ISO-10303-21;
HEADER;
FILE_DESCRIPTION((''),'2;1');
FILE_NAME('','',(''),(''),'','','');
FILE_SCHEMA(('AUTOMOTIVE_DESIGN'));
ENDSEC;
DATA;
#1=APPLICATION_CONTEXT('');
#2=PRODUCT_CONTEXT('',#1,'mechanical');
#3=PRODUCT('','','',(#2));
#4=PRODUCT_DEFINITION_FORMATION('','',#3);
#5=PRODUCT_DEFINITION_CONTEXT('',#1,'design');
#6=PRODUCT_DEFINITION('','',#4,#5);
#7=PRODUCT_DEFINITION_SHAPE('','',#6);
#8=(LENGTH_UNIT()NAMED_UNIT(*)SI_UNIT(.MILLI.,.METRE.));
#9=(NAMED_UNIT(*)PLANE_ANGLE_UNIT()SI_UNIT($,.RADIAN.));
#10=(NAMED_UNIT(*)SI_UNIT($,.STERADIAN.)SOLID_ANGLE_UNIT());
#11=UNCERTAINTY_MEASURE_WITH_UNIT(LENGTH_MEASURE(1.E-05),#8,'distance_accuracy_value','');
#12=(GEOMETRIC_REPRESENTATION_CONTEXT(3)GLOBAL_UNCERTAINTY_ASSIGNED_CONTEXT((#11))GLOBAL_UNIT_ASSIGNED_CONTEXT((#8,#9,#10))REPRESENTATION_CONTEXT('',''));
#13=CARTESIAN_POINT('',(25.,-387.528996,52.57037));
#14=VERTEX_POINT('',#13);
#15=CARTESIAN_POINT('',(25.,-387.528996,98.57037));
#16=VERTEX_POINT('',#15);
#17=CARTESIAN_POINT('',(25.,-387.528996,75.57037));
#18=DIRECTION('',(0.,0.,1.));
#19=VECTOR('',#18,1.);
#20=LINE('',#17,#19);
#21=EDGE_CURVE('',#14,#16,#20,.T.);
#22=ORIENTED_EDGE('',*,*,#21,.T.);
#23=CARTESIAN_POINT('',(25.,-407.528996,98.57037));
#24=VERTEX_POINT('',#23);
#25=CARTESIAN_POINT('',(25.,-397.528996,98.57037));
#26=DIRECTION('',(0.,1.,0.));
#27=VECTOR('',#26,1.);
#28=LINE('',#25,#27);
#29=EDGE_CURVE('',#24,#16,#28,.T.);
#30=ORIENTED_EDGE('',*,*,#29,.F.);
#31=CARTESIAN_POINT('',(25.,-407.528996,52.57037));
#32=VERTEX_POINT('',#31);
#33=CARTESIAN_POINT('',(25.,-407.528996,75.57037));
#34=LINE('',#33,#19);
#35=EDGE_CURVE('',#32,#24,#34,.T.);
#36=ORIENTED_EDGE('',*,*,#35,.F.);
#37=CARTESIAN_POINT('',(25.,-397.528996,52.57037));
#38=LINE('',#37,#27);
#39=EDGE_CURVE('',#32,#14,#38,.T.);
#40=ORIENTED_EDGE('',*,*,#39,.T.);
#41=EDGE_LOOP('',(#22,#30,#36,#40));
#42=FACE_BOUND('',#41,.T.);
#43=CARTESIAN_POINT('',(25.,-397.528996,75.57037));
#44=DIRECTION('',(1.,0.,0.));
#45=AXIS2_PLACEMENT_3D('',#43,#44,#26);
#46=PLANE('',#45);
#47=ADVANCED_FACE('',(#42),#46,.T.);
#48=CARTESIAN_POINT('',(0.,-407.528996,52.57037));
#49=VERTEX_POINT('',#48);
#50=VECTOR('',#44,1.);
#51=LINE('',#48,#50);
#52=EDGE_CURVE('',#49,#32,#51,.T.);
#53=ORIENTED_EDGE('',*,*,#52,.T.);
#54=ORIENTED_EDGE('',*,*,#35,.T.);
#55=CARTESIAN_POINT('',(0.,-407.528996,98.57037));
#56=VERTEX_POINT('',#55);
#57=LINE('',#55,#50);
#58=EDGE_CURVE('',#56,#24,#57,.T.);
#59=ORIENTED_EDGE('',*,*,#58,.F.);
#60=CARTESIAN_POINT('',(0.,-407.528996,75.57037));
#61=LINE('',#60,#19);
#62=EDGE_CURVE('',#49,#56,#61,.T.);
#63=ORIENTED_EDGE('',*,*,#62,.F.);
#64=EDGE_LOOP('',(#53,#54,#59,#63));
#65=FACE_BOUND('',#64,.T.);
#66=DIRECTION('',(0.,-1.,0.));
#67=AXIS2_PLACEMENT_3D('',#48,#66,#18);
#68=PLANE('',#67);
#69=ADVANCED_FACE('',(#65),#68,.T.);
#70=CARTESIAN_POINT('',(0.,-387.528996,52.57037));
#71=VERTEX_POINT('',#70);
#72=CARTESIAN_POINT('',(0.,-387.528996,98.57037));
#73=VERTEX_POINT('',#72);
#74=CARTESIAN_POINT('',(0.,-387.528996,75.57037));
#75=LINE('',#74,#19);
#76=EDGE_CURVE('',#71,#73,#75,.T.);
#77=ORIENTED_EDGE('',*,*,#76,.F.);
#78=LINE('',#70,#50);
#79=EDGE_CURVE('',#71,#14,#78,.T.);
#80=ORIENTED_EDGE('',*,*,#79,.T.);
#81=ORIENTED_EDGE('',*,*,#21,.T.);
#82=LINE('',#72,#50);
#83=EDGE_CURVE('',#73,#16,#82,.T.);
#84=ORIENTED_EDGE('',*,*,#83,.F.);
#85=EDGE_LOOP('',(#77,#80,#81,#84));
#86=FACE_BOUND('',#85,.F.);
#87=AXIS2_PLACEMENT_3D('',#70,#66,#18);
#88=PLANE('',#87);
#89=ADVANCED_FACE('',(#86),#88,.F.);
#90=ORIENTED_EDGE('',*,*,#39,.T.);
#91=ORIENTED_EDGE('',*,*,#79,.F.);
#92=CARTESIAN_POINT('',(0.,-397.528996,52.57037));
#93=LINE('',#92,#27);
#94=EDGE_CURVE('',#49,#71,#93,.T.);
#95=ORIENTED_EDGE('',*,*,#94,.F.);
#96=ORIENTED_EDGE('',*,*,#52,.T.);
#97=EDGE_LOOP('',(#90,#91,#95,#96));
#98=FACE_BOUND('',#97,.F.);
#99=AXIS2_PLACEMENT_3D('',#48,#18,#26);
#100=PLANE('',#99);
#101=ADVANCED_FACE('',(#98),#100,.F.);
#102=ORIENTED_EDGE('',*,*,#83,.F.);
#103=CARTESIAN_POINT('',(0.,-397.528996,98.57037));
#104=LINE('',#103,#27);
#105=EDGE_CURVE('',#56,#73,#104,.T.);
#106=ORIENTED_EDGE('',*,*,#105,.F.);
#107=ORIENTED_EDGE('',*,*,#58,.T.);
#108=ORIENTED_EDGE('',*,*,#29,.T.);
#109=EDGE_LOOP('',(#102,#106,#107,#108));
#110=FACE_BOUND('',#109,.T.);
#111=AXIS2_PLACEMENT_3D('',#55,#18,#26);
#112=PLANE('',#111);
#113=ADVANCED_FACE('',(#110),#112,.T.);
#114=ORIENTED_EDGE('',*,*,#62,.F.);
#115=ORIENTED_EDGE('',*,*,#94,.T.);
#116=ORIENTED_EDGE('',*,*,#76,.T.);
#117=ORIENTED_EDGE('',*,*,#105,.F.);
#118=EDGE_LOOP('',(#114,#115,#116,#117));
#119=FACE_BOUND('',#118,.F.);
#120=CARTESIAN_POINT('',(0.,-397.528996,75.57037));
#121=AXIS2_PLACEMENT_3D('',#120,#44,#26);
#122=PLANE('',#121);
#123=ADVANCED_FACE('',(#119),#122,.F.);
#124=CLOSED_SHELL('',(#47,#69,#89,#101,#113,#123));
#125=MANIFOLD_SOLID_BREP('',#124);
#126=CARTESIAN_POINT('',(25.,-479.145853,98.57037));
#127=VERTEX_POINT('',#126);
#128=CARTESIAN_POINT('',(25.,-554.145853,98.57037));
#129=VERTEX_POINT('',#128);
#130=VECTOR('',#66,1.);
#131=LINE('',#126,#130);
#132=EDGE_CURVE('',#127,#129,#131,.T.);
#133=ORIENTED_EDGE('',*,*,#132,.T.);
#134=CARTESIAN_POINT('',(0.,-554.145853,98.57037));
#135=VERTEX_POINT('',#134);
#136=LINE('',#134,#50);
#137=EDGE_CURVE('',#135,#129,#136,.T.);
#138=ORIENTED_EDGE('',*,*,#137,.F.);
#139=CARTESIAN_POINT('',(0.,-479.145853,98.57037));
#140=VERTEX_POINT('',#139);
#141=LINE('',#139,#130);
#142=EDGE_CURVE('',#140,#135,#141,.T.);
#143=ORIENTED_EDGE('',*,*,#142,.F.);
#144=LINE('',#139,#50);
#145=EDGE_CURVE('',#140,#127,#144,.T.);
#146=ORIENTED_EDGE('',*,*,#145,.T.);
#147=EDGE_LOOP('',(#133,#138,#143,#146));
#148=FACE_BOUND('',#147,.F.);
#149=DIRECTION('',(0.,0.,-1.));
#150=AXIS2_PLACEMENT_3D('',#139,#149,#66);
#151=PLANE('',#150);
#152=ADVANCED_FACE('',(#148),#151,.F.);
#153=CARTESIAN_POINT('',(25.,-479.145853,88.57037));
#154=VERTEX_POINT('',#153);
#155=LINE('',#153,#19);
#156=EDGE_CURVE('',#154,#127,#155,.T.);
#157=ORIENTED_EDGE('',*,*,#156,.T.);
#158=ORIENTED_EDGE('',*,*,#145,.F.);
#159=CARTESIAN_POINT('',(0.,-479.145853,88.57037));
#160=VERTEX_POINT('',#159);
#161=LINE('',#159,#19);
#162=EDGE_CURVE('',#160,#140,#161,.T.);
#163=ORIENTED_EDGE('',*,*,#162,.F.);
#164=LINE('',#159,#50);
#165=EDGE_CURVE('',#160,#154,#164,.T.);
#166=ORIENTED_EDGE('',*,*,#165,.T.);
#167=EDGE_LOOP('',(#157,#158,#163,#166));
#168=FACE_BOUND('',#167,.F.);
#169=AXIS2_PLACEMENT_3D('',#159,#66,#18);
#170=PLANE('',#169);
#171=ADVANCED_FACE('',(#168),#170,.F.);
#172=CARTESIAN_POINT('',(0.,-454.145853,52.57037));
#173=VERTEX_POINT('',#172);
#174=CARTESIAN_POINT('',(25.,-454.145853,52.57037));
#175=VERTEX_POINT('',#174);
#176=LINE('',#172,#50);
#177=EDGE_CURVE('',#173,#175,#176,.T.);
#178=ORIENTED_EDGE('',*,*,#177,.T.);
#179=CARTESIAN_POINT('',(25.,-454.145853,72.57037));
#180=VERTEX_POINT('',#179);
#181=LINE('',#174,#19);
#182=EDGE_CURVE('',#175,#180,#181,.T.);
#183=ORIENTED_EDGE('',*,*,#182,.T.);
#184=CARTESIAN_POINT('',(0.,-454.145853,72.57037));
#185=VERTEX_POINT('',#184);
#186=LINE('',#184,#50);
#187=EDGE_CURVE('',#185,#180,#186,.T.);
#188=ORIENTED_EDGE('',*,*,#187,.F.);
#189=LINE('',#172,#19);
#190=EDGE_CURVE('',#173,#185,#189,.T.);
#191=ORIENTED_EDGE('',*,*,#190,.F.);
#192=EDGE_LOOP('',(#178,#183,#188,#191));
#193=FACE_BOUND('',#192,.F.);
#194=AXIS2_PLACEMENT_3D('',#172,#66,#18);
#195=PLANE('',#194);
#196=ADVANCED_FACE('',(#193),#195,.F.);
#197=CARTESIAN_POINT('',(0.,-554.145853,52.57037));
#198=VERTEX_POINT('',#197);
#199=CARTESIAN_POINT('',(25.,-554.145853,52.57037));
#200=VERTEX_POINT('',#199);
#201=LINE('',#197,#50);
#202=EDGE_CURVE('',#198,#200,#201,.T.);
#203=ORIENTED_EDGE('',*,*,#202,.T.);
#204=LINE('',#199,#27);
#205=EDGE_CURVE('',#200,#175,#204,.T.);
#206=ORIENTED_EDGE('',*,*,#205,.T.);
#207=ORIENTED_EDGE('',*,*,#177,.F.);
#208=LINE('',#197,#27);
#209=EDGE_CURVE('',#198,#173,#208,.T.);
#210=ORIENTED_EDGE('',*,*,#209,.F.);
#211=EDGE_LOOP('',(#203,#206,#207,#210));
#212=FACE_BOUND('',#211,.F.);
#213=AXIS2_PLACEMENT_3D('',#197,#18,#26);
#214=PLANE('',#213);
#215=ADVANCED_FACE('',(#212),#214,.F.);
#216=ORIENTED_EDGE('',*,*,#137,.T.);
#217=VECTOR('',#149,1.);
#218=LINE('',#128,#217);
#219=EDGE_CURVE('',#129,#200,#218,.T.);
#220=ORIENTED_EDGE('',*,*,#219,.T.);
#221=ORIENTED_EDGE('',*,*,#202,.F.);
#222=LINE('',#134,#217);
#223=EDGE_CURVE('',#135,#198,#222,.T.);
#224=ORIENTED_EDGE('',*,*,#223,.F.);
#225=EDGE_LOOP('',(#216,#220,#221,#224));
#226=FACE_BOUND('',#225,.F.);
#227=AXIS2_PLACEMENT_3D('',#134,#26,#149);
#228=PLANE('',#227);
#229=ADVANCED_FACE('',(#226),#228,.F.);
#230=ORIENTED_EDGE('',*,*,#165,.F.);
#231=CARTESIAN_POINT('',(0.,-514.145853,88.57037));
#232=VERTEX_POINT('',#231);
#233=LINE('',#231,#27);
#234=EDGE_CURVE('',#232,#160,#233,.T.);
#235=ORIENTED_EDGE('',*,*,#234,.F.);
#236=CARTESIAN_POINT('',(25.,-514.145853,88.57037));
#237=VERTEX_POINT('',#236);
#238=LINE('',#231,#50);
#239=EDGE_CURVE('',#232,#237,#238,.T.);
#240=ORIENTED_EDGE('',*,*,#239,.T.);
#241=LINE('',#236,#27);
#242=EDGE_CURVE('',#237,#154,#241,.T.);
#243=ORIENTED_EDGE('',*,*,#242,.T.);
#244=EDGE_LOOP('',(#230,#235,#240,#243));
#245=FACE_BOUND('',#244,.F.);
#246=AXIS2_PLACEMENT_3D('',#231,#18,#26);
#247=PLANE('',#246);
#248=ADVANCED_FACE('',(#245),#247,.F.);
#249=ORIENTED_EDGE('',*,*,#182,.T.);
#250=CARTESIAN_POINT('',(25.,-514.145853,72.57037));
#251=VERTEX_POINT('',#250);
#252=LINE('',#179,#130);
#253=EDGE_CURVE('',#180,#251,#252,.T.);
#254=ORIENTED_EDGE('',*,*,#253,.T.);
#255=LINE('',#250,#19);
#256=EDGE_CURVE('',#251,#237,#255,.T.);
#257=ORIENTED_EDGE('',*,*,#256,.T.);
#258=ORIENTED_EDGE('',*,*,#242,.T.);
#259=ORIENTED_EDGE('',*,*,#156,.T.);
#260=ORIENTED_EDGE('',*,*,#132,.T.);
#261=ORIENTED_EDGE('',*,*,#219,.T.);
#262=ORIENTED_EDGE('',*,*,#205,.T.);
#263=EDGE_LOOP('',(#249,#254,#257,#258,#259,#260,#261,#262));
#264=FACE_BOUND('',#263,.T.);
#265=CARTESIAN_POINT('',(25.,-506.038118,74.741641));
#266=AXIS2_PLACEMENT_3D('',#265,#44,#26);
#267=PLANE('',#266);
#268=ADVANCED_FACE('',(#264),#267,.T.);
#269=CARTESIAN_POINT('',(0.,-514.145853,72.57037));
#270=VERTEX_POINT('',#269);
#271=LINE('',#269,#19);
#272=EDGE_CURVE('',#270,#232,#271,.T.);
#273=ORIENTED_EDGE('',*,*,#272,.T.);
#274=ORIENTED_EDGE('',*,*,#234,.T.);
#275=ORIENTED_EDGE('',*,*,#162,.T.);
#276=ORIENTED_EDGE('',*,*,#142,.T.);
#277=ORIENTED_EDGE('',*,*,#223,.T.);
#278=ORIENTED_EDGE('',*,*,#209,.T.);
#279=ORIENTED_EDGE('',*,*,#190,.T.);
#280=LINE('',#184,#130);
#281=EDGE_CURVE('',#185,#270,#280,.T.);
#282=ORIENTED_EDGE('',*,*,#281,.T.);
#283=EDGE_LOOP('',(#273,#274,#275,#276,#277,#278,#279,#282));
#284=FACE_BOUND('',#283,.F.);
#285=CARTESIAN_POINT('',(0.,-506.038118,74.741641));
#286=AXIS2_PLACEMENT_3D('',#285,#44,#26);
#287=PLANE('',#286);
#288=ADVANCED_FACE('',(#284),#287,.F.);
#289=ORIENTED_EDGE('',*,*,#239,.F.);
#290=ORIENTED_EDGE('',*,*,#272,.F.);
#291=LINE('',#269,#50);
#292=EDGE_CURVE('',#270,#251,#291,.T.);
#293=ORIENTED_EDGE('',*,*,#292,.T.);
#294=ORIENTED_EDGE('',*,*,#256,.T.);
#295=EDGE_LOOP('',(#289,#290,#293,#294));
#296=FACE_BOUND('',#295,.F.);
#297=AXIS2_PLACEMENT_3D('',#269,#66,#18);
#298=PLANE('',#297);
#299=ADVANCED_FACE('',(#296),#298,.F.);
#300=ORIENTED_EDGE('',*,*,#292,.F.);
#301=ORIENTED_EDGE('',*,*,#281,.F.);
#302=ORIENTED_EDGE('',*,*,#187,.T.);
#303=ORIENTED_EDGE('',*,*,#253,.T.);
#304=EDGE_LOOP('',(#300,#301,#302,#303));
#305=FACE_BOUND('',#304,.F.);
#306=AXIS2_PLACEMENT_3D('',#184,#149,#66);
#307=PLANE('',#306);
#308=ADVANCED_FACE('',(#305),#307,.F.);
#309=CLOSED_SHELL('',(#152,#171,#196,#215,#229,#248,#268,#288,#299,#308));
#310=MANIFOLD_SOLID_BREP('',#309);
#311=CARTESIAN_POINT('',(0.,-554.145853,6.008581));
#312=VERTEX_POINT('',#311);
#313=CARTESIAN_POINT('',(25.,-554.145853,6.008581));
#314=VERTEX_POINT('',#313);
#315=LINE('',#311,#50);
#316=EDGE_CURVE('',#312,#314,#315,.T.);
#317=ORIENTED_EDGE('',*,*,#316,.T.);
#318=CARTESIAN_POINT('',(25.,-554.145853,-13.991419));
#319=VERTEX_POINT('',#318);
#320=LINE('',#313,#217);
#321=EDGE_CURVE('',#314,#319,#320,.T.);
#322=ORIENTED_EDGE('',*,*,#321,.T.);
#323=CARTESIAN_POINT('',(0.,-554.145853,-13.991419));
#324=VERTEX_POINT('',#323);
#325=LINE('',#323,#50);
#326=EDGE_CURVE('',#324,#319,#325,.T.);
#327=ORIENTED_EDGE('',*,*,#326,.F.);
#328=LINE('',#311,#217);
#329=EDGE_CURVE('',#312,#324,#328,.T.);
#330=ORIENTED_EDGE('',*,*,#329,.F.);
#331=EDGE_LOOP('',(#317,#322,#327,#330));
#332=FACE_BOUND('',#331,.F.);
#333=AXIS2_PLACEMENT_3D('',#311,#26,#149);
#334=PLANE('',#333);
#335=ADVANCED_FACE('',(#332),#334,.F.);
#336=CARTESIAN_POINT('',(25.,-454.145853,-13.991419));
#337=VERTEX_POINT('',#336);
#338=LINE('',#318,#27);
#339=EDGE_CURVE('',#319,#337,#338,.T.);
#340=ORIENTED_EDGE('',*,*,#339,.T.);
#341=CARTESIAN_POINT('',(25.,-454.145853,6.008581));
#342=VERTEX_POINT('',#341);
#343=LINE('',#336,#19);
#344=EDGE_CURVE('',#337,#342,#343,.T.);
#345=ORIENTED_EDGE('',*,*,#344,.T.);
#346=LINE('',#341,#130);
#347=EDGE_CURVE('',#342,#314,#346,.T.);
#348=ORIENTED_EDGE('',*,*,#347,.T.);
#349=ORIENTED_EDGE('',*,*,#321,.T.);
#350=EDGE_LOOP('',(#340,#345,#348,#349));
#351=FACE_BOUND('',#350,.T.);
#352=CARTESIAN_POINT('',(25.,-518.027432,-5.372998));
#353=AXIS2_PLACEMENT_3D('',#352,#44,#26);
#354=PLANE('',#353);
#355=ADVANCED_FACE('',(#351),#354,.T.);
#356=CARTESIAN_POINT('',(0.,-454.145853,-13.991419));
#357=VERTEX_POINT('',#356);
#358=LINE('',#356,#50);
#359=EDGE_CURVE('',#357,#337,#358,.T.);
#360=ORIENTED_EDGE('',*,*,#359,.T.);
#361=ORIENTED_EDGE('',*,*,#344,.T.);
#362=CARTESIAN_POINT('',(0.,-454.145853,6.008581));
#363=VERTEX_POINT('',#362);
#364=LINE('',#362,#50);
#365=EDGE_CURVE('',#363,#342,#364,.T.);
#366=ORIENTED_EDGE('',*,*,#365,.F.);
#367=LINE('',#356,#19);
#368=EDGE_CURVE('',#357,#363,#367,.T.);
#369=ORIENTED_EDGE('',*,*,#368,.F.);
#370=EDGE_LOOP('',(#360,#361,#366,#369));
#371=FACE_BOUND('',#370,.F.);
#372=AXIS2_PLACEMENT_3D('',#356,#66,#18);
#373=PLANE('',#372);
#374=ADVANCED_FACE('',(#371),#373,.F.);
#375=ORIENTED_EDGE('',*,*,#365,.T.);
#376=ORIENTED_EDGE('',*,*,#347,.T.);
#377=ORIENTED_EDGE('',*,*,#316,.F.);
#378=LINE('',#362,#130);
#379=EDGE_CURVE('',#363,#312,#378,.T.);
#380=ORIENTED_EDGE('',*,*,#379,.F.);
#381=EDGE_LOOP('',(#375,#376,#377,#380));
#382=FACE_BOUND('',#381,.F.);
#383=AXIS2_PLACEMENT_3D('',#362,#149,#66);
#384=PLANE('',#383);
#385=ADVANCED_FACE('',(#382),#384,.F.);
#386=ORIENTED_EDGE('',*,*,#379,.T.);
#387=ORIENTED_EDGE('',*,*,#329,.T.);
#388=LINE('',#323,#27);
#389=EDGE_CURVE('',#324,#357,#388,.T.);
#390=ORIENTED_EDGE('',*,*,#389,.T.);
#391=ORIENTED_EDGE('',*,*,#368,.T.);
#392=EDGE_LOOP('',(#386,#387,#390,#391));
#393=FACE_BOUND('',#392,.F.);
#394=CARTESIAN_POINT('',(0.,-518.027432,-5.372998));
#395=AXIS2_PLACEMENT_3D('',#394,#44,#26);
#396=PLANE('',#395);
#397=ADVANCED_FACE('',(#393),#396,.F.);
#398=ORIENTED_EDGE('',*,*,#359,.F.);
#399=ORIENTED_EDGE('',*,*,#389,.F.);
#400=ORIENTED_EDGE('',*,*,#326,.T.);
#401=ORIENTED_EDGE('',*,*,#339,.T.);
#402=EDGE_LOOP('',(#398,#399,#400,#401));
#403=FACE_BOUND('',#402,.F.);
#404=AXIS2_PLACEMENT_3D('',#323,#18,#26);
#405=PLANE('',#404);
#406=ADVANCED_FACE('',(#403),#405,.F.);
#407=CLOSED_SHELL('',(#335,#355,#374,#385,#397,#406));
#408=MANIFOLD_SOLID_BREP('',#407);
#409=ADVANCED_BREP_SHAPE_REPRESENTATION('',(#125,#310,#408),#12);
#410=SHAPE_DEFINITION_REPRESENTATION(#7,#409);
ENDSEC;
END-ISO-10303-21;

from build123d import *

# Parameters (mm, degrees)
F0_W     = 20
F0_H     = 46
F1_DEPTH = 25


with BuildPart() as f1:
    # F0 (on Right) → F1 (new body)
    with BuildSketch(Plane.YZ):
        Polygon((-554.145853, 98.57037), (-554.145853, 52.57037), (-454.145853, 52.57037), (-454.145853, 72.57037), (-514.145853, 72.57037), (-514.145853, 88.57037), (-479.145853, 88.57037), (-479.145853, 98.57037), align=None)
        Polygon((-514.145853, 6.008581), (-554.145853, 6.008581), (-554.145853, -13.991419), (-479.145853, -13.991419), (-479.145853, -1.491419), (-514.145853, -1.491419), align=None)
        Polygon((-454.145853, 6.008581), (-514.145853, 6.008581), (-514.145853, -1.491419), (-479.145853, -1.491419), (-479.145853, -13.991419), (-454.145853, -13.991419), align=None)
        with Locations((-397.528996, 75.57037)):
            Rectangle(F0_W, F0_H)
    extrude(amount=F1_DEPTH)


solid = f1.part
